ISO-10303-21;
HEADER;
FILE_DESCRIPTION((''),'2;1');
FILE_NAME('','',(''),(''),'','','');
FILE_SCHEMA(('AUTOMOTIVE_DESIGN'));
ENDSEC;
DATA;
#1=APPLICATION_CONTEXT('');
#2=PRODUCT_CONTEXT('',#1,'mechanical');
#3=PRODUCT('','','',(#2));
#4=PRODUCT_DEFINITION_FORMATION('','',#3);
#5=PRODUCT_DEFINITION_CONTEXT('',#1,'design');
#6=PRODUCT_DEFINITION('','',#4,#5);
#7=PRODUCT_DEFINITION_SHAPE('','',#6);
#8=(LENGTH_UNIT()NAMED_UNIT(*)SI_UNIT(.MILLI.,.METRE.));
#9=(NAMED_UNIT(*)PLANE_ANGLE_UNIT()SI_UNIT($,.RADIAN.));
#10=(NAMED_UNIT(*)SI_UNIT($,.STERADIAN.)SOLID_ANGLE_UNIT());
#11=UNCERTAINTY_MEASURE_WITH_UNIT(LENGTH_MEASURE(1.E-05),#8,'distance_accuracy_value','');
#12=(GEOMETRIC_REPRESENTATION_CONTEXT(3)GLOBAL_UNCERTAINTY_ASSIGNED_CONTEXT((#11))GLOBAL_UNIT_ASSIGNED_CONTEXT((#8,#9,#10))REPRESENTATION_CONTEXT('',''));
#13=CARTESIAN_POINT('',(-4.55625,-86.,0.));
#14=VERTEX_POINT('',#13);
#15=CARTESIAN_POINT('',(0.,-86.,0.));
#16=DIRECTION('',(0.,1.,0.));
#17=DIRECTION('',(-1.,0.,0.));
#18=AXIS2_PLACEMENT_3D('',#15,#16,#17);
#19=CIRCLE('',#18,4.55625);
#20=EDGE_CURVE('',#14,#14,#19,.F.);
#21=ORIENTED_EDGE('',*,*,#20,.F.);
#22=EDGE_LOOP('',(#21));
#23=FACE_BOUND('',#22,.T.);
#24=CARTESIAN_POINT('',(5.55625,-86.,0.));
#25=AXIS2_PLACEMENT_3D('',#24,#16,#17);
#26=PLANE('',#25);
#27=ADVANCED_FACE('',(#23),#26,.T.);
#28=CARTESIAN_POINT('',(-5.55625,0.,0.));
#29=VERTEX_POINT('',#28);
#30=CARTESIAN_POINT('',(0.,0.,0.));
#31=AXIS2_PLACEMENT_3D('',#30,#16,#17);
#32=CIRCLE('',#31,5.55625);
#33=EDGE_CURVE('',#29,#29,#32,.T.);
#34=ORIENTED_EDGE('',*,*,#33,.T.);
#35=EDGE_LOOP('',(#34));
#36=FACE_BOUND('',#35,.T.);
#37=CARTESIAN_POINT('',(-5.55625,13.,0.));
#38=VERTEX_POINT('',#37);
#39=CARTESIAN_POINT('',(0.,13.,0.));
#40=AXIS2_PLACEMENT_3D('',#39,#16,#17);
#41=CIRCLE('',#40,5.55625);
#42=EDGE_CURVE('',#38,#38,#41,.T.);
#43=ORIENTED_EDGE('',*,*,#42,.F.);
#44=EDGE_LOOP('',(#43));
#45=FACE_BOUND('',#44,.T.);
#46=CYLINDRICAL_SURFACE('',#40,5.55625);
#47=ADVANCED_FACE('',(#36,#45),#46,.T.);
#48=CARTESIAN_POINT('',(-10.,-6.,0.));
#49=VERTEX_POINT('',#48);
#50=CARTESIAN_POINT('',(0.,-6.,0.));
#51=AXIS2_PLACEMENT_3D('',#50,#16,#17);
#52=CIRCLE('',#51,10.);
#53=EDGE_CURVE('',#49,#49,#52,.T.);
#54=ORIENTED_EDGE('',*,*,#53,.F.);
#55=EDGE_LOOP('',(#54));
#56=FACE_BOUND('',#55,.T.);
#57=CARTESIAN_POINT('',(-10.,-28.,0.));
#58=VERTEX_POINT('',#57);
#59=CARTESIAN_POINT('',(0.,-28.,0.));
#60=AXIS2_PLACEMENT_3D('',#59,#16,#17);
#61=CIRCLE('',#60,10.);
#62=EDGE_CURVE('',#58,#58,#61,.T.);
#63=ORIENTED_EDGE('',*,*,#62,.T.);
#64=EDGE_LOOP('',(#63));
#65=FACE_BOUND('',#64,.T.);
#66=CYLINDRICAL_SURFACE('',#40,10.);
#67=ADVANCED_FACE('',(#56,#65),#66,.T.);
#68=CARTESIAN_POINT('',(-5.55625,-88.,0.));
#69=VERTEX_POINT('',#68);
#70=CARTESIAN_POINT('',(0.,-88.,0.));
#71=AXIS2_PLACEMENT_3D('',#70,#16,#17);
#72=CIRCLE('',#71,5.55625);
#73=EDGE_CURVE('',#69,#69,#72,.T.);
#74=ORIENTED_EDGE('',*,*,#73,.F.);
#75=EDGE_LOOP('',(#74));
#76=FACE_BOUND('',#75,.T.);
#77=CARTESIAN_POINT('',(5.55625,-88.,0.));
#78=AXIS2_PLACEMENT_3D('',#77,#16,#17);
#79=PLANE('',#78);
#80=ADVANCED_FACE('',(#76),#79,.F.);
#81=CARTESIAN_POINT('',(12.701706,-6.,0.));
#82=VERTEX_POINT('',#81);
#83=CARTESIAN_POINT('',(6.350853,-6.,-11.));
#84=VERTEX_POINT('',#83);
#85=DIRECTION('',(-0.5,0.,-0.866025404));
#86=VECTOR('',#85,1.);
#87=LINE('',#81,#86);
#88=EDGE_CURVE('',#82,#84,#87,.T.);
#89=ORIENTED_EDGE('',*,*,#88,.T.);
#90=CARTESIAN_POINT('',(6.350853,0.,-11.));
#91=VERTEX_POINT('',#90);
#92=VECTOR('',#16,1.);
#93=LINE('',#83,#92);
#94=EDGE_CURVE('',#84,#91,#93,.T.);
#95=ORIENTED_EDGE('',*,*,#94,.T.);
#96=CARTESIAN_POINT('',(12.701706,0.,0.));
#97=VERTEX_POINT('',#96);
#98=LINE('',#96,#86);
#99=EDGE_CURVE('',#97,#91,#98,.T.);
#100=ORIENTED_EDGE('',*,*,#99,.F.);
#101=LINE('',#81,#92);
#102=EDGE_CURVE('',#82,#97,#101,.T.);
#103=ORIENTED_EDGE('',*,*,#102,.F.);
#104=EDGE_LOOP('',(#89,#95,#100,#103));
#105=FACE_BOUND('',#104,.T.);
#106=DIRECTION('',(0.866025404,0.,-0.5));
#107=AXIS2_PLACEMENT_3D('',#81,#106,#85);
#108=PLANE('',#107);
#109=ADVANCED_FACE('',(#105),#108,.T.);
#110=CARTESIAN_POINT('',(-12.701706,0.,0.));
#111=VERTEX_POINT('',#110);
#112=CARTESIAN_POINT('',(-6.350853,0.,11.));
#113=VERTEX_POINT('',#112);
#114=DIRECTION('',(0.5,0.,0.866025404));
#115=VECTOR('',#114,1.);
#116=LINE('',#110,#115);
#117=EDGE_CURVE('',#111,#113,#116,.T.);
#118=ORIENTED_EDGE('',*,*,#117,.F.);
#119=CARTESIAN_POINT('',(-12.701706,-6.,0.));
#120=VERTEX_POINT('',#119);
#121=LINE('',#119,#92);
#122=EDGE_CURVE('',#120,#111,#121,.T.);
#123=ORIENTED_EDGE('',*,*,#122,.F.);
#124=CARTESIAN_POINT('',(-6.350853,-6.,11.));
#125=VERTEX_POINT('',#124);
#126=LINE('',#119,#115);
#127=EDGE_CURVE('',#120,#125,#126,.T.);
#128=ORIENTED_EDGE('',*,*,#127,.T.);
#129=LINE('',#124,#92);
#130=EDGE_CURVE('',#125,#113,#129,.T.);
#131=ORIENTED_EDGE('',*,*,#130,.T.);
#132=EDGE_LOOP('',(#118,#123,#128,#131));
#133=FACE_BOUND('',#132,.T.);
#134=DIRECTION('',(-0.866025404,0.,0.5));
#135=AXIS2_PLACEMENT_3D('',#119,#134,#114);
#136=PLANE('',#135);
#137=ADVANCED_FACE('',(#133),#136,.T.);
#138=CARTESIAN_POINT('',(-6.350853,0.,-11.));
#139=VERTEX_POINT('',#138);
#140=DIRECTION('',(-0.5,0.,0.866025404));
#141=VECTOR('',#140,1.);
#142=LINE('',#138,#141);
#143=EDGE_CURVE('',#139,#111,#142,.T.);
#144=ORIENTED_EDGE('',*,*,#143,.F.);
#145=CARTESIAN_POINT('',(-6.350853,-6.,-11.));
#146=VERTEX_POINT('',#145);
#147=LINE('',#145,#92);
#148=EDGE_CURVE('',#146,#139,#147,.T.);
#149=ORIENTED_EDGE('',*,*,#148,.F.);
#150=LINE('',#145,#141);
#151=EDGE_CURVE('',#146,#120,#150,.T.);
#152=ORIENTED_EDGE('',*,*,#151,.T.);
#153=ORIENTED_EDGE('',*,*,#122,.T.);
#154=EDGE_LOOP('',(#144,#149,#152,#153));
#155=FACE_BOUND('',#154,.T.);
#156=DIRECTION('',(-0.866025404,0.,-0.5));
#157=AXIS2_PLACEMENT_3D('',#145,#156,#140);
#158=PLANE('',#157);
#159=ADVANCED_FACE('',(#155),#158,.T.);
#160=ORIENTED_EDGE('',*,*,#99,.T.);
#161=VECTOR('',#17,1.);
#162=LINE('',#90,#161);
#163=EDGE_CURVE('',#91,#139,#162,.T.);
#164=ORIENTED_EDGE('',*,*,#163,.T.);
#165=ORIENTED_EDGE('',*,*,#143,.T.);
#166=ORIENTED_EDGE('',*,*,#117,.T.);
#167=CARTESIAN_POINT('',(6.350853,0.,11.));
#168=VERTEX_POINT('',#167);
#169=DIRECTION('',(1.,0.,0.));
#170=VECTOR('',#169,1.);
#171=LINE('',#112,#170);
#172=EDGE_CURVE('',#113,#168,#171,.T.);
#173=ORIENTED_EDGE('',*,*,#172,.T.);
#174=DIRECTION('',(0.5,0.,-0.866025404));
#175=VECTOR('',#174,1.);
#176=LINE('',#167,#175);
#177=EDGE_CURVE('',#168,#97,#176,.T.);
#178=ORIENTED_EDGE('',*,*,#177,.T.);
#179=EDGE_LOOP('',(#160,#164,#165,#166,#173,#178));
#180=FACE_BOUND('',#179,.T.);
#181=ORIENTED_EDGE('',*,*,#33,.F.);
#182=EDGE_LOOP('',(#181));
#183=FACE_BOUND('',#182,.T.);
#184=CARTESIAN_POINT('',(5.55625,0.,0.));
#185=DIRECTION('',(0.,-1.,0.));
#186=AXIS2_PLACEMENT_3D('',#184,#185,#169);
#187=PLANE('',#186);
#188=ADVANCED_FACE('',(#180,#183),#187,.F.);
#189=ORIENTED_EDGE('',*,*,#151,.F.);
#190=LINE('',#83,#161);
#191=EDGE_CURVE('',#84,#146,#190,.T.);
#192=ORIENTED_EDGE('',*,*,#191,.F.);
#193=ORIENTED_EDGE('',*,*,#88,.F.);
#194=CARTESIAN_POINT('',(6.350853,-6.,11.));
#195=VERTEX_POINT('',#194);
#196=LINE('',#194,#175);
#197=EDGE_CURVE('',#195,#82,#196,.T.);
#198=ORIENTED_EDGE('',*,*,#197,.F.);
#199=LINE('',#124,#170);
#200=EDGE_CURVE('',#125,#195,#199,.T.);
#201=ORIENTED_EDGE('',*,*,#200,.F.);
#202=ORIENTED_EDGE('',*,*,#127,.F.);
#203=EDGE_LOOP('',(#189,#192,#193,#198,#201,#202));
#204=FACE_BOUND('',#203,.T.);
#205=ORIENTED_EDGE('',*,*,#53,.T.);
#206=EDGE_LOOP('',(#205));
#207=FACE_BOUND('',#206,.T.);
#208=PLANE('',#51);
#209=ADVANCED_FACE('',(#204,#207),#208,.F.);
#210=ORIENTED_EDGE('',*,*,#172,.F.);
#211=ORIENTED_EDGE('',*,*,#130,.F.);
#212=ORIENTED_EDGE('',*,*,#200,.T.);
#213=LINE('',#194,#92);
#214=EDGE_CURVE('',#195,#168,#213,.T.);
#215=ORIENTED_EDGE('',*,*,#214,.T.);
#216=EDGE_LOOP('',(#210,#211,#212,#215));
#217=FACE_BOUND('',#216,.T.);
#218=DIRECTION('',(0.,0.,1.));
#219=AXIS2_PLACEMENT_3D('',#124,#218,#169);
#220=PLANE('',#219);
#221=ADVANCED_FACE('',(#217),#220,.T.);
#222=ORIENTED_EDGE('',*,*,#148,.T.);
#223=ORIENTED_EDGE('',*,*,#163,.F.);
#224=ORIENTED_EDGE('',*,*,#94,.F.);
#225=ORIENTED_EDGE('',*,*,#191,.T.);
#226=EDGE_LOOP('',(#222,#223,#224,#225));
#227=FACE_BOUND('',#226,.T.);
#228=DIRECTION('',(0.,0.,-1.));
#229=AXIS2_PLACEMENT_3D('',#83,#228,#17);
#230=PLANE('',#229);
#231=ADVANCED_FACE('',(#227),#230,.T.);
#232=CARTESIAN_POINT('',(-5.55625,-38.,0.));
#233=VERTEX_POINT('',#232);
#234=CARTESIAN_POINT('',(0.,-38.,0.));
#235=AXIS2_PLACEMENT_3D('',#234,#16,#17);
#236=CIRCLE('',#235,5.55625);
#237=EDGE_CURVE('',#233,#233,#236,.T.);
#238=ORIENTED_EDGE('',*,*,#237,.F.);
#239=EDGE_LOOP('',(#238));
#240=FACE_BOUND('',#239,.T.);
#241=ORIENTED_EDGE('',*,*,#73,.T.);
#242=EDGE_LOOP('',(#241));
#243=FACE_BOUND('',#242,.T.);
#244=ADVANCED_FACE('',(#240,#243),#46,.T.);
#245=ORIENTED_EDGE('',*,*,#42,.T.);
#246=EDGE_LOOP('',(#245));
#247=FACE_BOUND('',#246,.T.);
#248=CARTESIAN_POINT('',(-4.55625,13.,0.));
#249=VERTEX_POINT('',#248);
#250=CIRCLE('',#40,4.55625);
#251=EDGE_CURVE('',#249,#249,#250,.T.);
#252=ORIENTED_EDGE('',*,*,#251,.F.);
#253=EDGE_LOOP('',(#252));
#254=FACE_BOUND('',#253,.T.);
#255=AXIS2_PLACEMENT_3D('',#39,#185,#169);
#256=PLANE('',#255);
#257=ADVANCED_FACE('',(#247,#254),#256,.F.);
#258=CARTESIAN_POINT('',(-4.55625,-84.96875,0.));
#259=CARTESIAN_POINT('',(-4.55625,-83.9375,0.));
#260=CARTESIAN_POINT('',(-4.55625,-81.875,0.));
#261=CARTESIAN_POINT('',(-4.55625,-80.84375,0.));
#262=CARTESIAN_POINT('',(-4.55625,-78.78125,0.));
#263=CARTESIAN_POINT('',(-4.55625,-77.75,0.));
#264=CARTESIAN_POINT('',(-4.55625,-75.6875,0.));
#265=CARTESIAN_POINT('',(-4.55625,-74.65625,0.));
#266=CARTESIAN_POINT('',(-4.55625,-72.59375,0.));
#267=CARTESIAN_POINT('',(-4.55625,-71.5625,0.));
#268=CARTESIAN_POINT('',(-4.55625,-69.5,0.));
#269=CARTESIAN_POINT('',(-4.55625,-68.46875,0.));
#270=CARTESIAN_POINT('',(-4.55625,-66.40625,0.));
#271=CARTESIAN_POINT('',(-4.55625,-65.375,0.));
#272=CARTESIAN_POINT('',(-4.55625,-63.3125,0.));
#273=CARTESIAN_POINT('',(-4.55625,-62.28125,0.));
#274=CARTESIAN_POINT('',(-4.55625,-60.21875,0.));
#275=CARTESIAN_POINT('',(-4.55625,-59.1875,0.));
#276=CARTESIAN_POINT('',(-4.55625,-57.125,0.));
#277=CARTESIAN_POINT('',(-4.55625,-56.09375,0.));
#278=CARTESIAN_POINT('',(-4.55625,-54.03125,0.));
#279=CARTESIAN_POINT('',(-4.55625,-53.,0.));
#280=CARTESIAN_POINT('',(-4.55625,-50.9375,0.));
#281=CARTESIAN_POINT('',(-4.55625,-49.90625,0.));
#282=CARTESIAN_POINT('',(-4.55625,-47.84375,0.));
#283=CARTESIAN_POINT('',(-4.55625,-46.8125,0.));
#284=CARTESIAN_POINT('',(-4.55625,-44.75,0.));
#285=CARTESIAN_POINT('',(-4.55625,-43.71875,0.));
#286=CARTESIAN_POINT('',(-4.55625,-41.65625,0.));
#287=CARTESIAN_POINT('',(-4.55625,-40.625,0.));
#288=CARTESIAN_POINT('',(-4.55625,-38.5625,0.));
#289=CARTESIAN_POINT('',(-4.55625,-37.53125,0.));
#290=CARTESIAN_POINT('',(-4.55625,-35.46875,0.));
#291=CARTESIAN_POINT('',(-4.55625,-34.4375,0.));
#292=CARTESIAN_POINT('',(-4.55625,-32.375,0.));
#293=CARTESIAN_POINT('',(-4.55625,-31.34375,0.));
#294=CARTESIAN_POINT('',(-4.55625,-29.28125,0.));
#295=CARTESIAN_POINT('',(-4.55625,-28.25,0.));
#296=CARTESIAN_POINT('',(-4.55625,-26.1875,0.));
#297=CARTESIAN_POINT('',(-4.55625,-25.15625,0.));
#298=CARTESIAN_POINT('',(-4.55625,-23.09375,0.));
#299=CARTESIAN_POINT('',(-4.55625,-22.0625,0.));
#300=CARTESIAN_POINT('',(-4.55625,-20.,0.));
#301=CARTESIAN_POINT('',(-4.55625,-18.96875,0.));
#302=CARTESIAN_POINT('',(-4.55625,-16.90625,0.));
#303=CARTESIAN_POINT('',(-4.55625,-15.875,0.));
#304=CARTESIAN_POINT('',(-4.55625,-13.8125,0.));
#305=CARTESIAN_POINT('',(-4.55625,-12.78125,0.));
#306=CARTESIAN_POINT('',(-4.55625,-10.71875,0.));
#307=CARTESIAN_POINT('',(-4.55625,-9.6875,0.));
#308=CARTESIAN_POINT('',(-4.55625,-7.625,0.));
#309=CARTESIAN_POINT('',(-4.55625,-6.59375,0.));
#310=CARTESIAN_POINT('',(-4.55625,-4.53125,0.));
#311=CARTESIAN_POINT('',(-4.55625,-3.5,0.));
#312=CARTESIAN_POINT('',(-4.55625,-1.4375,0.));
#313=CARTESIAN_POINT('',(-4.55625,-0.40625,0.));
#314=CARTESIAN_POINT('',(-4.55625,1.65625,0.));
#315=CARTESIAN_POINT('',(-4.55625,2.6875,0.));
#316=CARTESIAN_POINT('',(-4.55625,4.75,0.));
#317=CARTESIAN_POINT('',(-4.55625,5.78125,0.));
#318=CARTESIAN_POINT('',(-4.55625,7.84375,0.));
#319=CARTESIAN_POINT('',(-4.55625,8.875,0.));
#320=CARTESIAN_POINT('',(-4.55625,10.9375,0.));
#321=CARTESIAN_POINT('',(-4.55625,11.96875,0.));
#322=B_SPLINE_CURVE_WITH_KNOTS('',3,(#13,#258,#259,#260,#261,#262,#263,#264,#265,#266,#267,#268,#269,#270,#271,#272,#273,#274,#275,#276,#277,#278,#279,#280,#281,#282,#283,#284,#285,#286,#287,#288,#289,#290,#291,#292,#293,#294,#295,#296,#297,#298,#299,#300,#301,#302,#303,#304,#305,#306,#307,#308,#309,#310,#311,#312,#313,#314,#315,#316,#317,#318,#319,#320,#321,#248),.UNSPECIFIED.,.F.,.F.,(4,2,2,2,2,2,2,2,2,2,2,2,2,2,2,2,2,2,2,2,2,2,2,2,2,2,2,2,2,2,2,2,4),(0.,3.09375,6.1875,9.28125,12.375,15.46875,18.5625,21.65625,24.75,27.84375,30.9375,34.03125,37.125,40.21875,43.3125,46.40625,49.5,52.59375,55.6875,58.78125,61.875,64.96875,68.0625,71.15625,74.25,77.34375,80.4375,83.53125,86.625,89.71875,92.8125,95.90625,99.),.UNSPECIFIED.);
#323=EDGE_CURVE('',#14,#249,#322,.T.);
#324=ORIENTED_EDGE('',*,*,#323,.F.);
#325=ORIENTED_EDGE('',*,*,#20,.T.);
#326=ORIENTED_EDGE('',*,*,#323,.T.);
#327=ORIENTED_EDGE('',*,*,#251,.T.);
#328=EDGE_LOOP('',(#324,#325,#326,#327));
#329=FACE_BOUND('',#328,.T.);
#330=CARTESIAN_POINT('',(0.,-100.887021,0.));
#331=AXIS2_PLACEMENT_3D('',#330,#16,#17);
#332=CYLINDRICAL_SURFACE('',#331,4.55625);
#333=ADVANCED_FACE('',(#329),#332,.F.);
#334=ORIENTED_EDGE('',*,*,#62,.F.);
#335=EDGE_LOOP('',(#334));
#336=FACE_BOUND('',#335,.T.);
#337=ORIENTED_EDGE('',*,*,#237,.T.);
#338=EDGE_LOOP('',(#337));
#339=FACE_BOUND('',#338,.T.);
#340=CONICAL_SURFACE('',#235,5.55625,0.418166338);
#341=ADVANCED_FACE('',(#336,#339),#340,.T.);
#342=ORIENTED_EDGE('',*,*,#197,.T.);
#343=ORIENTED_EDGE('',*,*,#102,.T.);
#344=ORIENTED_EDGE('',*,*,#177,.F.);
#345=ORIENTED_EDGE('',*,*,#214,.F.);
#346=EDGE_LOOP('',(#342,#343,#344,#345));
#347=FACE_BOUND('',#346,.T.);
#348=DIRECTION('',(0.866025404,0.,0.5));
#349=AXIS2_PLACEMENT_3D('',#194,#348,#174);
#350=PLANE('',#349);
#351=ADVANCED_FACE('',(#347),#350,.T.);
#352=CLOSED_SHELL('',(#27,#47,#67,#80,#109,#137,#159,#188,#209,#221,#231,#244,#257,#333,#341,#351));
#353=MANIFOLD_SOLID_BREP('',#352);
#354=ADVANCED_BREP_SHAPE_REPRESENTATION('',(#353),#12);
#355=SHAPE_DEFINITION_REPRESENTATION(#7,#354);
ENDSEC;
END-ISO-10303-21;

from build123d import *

# Parameters (mm, degrees)
BOSS_EXTRUDE1_DEPTH = 6
SKETCH3_R           = 4.55625
CUT_EXTRUDE1_DEPTH  = 99


with BuildPart() as part:
    # Sketch1 → Revolve1 (revolve)
    with BuildSketch(Plane.XY, mode=Mode.PRIVATE) as revolve1_sk:
        Polygon((0, 13), (5.55625, 13), (5.55625, 0), (10, 0), (10, -28), (5.55625, -38), (5.55625, -88), (0, -88), align=None)
    revolve(revolve1_sk.sketch.rotate(Axis((0, 13, 0), (0, -1, 0)), 180), axis=Axis((0, 13, 0), (0, -1, 0)))

    # Sketch2 → Boss-Extrude1 (add)
    with BuildSketch(Plane(origin=(0, 0, 0), x_dir=(1, 0, 0), z_dir=(0, 1, 0))):
        Polygon((12.701705922, 0), (6.350852961, 11), (-6.350852961, 11), (-12.701705922, 0), (-6.350852961, -11), (6.350852961, -11), align=None)
    extrude(amount=-BOSS_EXTRUDE1_DEPTH)

    # Sketch3 → Cut-Extrude1 (cut)
    with BuildSketch(Plane(origin=(0, 13, 0), x_dir=(1, 0, 0), z_dir=(0, 1, 0))):
        with Locations(Location((0, 0, 0), (0, 0, 180))):
            Circle(SKETCH3_R)
    extrude(amount=-CUT_EXTRUDE1_DEPTH, mode=Mode.SUBTRACT)


solid = part.part
